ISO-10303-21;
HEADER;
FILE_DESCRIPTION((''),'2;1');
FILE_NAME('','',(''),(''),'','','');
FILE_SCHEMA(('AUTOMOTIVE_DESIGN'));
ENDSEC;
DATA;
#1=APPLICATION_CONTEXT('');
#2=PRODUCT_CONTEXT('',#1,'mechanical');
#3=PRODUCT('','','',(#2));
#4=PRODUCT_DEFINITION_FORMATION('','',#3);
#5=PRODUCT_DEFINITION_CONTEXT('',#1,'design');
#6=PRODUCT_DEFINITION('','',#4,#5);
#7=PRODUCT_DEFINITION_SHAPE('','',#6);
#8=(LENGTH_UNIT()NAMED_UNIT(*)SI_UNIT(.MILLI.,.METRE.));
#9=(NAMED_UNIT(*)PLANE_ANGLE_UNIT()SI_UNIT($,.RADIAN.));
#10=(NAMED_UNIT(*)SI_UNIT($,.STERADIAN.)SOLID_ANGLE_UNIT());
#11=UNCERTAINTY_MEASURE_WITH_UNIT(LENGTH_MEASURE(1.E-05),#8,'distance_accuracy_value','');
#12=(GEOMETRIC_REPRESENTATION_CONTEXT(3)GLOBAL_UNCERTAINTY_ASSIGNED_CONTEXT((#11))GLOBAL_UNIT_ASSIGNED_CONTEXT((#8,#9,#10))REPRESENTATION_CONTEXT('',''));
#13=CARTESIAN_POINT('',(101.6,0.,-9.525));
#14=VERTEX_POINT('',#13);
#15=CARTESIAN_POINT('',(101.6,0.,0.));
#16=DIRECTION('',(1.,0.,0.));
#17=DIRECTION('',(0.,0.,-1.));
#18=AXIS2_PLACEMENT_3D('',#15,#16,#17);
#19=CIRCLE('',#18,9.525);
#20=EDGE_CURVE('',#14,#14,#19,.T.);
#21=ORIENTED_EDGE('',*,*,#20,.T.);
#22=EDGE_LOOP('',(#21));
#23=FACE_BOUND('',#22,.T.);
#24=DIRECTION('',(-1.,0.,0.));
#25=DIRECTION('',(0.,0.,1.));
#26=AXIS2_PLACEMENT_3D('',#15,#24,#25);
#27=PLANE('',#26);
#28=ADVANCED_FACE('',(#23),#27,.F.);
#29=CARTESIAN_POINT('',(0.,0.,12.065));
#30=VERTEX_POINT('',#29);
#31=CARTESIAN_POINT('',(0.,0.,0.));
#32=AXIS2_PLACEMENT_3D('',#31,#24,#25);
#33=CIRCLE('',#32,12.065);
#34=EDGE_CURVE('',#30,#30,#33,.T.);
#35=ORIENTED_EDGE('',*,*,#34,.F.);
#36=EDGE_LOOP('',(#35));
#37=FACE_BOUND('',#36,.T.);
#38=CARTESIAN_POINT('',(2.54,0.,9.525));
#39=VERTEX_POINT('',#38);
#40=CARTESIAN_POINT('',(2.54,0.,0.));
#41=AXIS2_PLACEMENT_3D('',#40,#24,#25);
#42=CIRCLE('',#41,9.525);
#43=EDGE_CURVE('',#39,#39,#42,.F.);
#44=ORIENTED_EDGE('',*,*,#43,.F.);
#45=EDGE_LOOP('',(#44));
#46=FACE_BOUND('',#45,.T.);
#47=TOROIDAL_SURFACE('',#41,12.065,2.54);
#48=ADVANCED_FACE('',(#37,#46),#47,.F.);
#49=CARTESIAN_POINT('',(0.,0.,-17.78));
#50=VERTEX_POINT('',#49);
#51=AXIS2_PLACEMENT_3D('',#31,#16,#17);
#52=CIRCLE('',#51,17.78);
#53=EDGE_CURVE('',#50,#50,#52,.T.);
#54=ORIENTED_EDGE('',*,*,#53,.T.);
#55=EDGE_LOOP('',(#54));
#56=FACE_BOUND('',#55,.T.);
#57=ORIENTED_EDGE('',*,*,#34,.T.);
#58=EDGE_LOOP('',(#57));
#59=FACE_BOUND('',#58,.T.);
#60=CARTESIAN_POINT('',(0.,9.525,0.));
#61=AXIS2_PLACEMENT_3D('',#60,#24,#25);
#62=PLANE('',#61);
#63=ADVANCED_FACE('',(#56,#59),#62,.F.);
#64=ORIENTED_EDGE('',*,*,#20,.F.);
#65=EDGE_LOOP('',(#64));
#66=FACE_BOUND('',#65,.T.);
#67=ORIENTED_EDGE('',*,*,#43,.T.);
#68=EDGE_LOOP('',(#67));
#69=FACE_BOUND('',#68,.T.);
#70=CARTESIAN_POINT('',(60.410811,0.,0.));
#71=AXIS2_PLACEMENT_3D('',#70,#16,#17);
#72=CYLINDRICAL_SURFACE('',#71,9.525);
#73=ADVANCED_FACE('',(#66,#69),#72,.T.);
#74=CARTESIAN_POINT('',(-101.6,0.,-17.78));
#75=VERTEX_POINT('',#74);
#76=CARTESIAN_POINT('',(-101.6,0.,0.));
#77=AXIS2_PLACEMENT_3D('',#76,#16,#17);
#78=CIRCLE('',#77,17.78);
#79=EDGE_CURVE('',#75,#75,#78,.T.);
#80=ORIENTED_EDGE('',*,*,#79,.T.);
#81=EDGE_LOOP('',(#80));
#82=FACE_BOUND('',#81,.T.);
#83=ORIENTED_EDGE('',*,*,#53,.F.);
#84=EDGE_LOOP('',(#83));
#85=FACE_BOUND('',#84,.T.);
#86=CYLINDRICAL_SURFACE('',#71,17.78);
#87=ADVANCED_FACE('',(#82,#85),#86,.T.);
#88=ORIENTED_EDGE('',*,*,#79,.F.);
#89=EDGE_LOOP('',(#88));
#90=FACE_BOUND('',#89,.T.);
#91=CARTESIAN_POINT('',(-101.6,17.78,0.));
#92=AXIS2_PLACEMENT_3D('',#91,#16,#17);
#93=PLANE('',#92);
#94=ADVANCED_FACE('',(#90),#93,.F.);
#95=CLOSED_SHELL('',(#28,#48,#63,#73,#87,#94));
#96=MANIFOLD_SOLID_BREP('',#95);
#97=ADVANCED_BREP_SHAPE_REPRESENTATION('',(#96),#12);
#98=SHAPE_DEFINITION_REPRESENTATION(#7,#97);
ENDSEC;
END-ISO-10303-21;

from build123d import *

# Parameters (mm, degrees)
FILLET2_R = 2.54


with BuildPart() as part:
    # Sketch3 → Revolve1 (revolve)
    with BuildSketch(Plane(origin=(0, 0, 0), x_dir=(-1, 0, 0), z_dir=(0, 0, -1))):
        Polygon((-101.6, 0), (-101.6, 9.525), (0, 9.525), (0, 17.78), (101.6, 17.78), (101.6, 0), align=None)
    revolve(axis=Axis((60.410810811, 0, 0), (-1, 0, 0)))

    # Fillet2
    fillet2_edges = [part.edges().sort_by_distance(p)[0] for p in [
        (0, -9.525, 0),
    ]]
    fillet(fillet2_edges, radius=FILLET2_R)


solid = part.part
